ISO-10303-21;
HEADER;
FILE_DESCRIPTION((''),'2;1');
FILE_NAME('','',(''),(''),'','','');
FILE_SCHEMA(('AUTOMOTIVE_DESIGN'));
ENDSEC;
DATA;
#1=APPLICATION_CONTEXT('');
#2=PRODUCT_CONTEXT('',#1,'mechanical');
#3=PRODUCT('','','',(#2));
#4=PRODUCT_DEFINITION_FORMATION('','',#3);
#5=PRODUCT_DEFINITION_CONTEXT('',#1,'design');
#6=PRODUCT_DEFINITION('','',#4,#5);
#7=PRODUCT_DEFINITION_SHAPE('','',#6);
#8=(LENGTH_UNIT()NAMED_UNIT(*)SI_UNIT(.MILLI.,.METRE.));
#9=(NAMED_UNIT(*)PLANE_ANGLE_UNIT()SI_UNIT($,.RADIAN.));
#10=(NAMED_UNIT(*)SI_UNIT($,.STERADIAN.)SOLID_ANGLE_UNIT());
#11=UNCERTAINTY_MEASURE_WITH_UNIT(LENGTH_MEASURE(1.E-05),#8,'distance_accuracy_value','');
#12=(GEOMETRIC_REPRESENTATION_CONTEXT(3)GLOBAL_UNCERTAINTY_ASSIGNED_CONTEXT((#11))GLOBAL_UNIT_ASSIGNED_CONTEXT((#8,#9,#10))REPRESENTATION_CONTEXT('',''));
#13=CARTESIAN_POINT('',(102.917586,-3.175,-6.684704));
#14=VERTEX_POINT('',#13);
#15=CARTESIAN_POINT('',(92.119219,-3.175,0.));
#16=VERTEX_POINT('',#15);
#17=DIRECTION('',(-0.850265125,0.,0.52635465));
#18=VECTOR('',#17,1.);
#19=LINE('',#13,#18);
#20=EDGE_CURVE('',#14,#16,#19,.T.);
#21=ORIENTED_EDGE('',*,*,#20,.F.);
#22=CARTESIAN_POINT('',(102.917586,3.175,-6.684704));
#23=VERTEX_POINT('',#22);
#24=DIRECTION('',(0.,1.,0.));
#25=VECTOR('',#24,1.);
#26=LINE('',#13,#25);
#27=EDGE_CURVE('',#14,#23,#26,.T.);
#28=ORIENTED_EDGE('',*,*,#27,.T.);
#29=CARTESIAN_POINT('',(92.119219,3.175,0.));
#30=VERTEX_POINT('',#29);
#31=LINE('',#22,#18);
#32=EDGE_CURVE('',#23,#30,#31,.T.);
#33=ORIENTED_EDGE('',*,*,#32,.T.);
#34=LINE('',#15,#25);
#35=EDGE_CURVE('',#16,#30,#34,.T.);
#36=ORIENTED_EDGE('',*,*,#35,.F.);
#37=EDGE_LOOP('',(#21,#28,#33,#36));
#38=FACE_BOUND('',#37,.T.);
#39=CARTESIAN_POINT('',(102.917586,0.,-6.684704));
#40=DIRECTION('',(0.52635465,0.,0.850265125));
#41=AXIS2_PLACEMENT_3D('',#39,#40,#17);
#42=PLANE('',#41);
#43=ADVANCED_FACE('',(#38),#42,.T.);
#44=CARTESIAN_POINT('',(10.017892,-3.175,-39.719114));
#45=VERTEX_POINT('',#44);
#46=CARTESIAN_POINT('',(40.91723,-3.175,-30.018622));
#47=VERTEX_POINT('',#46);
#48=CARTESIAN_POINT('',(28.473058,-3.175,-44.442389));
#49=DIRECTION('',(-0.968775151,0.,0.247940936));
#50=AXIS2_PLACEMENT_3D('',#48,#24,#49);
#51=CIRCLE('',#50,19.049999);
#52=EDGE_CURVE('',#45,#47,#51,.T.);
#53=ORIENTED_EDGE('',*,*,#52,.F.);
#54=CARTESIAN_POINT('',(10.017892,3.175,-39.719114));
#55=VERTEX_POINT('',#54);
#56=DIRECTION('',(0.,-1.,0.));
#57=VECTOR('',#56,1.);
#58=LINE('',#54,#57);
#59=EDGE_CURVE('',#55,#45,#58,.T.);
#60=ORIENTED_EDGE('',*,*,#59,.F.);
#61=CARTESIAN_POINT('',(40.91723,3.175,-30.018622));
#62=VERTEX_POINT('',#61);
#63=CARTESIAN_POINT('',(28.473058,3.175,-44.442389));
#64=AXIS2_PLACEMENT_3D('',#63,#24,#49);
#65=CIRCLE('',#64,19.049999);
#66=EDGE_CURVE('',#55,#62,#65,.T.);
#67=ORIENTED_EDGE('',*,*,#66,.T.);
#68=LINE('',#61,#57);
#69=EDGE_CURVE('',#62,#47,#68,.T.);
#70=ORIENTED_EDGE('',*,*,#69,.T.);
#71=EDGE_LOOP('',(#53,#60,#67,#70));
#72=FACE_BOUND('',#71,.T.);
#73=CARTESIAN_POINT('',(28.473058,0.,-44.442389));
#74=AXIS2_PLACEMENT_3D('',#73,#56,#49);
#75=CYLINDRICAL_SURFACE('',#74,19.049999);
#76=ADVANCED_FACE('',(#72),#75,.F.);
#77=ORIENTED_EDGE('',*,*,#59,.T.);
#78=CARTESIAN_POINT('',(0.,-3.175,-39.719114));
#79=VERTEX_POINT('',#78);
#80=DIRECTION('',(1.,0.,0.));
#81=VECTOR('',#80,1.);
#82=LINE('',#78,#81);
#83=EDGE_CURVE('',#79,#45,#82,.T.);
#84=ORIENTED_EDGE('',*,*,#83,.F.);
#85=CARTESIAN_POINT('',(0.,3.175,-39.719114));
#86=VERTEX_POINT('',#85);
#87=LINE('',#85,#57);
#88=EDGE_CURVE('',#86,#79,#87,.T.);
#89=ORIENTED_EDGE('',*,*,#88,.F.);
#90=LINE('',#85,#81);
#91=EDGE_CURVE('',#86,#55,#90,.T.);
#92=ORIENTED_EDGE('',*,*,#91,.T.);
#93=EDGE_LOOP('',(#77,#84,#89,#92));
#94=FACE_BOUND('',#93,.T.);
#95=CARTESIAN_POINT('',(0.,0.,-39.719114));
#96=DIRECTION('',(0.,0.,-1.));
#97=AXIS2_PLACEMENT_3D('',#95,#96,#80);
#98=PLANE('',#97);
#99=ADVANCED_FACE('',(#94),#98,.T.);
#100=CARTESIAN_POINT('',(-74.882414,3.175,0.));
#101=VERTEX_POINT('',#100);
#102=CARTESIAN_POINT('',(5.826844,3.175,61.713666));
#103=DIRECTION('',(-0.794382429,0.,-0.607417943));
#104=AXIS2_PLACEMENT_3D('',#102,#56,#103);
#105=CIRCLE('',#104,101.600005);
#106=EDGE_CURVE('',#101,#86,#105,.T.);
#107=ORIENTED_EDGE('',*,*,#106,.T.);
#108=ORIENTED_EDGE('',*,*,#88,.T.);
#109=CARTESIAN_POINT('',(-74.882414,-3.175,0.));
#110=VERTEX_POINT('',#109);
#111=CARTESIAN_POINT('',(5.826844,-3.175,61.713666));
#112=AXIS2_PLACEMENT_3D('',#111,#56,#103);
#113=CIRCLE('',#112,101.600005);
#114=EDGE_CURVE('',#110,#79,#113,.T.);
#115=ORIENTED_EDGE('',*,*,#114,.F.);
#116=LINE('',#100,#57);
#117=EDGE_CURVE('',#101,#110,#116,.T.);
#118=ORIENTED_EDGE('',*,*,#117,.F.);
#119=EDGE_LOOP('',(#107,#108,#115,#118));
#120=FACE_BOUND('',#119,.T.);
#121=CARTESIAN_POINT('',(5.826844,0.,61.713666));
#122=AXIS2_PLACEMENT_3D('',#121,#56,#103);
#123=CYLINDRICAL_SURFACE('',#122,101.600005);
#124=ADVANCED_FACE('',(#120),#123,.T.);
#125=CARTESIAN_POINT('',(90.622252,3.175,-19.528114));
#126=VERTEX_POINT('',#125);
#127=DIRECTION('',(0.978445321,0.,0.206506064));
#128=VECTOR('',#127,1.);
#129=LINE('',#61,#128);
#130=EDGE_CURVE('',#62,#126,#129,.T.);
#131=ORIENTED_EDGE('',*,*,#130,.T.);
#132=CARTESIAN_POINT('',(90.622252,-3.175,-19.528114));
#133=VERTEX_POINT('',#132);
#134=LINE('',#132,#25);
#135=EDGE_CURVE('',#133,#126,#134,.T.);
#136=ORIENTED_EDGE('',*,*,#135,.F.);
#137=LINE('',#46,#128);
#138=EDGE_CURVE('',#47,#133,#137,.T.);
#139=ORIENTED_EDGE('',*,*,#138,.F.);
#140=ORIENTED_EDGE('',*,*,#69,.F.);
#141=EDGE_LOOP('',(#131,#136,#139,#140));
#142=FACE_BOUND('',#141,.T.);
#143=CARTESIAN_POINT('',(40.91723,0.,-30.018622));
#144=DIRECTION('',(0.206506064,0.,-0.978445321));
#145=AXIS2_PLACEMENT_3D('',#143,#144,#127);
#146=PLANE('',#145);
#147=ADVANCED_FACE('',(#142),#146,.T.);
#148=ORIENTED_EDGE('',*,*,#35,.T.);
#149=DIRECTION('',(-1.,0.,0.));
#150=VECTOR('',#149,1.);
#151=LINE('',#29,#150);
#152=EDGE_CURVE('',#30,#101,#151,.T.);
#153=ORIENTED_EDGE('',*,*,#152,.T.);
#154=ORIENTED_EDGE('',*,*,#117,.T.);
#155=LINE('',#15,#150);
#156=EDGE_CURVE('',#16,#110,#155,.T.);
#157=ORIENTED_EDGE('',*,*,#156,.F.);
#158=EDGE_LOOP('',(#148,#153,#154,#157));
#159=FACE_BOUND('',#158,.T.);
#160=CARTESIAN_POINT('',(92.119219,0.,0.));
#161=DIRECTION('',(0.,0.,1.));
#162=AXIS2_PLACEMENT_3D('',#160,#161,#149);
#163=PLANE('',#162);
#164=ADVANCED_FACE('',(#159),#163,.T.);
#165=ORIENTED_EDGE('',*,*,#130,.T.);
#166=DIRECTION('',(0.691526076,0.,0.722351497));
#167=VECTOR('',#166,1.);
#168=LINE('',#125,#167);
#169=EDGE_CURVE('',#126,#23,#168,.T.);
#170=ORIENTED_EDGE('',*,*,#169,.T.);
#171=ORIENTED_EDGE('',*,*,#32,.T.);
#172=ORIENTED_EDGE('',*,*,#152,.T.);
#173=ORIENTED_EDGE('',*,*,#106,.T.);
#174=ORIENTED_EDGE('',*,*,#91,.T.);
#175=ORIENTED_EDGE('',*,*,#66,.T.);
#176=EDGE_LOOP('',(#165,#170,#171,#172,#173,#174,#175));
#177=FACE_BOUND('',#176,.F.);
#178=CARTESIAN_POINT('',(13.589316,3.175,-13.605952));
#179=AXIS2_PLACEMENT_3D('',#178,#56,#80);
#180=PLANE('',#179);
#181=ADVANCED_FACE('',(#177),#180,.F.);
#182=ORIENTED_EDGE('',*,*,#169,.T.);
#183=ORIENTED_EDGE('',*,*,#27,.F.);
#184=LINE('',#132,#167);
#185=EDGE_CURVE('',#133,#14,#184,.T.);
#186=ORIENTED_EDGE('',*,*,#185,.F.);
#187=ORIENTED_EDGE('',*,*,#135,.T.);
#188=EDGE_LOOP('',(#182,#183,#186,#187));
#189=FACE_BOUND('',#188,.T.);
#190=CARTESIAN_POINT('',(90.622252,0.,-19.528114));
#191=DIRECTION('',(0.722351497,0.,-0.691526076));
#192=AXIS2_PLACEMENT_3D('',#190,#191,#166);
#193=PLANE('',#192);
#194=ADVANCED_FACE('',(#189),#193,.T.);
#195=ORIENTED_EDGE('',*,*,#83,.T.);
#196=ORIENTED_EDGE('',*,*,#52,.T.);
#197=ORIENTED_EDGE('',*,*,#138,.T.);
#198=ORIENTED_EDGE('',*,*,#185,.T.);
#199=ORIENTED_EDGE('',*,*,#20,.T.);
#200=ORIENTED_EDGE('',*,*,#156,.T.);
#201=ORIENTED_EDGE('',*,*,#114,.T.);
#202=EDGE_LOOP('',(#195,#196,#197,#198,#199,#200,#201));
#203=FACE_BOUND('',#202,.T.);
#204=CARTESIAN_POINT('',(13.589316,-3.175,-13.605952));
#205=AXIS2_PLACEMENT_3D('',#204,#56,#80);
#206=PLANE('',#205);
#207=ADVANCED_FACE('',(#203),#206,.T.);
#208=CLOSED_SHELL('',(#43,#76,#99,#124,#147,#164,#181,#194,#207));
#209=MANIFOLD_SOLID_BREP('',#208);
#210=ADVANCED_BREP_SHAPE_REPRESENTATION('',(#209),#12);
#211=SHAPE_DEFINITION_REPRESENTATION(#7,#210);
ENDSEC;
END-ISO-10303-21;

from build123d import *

# Parameters (mm, degrees)
F1_DEPTH = 3.175


with BuildPart() as f1:
    # F0 (on Front) → F1 (new body, symmetric)
    with BuildSketch(Plane.XZ):
        with BuildLine():
            Line((92.119219, 0), (0, 0))
            Line((0, 0), (-74.882414, 0))
            ThreePointArc((-74.882414, 0), (-41.781204, -28.04175), (0, -39.719114))
            Line((0, -39.719114), (10.017892, -39.719114))
            ThreePointArc((10.017892, -39.719114), (22.767105, -26.267005), (40.91723, -30.018622))
            Line((40.91723, -30.018622), (90.622252, -19.528114))
            Line((90.622252, -19.528114), (102.917586, -6.684704))
            Line((102.917586, -6.684704), (92.119219, 0))
        make_face()
    extrude(amount=F1_DEPTH, both=True)


solid = f1.part
